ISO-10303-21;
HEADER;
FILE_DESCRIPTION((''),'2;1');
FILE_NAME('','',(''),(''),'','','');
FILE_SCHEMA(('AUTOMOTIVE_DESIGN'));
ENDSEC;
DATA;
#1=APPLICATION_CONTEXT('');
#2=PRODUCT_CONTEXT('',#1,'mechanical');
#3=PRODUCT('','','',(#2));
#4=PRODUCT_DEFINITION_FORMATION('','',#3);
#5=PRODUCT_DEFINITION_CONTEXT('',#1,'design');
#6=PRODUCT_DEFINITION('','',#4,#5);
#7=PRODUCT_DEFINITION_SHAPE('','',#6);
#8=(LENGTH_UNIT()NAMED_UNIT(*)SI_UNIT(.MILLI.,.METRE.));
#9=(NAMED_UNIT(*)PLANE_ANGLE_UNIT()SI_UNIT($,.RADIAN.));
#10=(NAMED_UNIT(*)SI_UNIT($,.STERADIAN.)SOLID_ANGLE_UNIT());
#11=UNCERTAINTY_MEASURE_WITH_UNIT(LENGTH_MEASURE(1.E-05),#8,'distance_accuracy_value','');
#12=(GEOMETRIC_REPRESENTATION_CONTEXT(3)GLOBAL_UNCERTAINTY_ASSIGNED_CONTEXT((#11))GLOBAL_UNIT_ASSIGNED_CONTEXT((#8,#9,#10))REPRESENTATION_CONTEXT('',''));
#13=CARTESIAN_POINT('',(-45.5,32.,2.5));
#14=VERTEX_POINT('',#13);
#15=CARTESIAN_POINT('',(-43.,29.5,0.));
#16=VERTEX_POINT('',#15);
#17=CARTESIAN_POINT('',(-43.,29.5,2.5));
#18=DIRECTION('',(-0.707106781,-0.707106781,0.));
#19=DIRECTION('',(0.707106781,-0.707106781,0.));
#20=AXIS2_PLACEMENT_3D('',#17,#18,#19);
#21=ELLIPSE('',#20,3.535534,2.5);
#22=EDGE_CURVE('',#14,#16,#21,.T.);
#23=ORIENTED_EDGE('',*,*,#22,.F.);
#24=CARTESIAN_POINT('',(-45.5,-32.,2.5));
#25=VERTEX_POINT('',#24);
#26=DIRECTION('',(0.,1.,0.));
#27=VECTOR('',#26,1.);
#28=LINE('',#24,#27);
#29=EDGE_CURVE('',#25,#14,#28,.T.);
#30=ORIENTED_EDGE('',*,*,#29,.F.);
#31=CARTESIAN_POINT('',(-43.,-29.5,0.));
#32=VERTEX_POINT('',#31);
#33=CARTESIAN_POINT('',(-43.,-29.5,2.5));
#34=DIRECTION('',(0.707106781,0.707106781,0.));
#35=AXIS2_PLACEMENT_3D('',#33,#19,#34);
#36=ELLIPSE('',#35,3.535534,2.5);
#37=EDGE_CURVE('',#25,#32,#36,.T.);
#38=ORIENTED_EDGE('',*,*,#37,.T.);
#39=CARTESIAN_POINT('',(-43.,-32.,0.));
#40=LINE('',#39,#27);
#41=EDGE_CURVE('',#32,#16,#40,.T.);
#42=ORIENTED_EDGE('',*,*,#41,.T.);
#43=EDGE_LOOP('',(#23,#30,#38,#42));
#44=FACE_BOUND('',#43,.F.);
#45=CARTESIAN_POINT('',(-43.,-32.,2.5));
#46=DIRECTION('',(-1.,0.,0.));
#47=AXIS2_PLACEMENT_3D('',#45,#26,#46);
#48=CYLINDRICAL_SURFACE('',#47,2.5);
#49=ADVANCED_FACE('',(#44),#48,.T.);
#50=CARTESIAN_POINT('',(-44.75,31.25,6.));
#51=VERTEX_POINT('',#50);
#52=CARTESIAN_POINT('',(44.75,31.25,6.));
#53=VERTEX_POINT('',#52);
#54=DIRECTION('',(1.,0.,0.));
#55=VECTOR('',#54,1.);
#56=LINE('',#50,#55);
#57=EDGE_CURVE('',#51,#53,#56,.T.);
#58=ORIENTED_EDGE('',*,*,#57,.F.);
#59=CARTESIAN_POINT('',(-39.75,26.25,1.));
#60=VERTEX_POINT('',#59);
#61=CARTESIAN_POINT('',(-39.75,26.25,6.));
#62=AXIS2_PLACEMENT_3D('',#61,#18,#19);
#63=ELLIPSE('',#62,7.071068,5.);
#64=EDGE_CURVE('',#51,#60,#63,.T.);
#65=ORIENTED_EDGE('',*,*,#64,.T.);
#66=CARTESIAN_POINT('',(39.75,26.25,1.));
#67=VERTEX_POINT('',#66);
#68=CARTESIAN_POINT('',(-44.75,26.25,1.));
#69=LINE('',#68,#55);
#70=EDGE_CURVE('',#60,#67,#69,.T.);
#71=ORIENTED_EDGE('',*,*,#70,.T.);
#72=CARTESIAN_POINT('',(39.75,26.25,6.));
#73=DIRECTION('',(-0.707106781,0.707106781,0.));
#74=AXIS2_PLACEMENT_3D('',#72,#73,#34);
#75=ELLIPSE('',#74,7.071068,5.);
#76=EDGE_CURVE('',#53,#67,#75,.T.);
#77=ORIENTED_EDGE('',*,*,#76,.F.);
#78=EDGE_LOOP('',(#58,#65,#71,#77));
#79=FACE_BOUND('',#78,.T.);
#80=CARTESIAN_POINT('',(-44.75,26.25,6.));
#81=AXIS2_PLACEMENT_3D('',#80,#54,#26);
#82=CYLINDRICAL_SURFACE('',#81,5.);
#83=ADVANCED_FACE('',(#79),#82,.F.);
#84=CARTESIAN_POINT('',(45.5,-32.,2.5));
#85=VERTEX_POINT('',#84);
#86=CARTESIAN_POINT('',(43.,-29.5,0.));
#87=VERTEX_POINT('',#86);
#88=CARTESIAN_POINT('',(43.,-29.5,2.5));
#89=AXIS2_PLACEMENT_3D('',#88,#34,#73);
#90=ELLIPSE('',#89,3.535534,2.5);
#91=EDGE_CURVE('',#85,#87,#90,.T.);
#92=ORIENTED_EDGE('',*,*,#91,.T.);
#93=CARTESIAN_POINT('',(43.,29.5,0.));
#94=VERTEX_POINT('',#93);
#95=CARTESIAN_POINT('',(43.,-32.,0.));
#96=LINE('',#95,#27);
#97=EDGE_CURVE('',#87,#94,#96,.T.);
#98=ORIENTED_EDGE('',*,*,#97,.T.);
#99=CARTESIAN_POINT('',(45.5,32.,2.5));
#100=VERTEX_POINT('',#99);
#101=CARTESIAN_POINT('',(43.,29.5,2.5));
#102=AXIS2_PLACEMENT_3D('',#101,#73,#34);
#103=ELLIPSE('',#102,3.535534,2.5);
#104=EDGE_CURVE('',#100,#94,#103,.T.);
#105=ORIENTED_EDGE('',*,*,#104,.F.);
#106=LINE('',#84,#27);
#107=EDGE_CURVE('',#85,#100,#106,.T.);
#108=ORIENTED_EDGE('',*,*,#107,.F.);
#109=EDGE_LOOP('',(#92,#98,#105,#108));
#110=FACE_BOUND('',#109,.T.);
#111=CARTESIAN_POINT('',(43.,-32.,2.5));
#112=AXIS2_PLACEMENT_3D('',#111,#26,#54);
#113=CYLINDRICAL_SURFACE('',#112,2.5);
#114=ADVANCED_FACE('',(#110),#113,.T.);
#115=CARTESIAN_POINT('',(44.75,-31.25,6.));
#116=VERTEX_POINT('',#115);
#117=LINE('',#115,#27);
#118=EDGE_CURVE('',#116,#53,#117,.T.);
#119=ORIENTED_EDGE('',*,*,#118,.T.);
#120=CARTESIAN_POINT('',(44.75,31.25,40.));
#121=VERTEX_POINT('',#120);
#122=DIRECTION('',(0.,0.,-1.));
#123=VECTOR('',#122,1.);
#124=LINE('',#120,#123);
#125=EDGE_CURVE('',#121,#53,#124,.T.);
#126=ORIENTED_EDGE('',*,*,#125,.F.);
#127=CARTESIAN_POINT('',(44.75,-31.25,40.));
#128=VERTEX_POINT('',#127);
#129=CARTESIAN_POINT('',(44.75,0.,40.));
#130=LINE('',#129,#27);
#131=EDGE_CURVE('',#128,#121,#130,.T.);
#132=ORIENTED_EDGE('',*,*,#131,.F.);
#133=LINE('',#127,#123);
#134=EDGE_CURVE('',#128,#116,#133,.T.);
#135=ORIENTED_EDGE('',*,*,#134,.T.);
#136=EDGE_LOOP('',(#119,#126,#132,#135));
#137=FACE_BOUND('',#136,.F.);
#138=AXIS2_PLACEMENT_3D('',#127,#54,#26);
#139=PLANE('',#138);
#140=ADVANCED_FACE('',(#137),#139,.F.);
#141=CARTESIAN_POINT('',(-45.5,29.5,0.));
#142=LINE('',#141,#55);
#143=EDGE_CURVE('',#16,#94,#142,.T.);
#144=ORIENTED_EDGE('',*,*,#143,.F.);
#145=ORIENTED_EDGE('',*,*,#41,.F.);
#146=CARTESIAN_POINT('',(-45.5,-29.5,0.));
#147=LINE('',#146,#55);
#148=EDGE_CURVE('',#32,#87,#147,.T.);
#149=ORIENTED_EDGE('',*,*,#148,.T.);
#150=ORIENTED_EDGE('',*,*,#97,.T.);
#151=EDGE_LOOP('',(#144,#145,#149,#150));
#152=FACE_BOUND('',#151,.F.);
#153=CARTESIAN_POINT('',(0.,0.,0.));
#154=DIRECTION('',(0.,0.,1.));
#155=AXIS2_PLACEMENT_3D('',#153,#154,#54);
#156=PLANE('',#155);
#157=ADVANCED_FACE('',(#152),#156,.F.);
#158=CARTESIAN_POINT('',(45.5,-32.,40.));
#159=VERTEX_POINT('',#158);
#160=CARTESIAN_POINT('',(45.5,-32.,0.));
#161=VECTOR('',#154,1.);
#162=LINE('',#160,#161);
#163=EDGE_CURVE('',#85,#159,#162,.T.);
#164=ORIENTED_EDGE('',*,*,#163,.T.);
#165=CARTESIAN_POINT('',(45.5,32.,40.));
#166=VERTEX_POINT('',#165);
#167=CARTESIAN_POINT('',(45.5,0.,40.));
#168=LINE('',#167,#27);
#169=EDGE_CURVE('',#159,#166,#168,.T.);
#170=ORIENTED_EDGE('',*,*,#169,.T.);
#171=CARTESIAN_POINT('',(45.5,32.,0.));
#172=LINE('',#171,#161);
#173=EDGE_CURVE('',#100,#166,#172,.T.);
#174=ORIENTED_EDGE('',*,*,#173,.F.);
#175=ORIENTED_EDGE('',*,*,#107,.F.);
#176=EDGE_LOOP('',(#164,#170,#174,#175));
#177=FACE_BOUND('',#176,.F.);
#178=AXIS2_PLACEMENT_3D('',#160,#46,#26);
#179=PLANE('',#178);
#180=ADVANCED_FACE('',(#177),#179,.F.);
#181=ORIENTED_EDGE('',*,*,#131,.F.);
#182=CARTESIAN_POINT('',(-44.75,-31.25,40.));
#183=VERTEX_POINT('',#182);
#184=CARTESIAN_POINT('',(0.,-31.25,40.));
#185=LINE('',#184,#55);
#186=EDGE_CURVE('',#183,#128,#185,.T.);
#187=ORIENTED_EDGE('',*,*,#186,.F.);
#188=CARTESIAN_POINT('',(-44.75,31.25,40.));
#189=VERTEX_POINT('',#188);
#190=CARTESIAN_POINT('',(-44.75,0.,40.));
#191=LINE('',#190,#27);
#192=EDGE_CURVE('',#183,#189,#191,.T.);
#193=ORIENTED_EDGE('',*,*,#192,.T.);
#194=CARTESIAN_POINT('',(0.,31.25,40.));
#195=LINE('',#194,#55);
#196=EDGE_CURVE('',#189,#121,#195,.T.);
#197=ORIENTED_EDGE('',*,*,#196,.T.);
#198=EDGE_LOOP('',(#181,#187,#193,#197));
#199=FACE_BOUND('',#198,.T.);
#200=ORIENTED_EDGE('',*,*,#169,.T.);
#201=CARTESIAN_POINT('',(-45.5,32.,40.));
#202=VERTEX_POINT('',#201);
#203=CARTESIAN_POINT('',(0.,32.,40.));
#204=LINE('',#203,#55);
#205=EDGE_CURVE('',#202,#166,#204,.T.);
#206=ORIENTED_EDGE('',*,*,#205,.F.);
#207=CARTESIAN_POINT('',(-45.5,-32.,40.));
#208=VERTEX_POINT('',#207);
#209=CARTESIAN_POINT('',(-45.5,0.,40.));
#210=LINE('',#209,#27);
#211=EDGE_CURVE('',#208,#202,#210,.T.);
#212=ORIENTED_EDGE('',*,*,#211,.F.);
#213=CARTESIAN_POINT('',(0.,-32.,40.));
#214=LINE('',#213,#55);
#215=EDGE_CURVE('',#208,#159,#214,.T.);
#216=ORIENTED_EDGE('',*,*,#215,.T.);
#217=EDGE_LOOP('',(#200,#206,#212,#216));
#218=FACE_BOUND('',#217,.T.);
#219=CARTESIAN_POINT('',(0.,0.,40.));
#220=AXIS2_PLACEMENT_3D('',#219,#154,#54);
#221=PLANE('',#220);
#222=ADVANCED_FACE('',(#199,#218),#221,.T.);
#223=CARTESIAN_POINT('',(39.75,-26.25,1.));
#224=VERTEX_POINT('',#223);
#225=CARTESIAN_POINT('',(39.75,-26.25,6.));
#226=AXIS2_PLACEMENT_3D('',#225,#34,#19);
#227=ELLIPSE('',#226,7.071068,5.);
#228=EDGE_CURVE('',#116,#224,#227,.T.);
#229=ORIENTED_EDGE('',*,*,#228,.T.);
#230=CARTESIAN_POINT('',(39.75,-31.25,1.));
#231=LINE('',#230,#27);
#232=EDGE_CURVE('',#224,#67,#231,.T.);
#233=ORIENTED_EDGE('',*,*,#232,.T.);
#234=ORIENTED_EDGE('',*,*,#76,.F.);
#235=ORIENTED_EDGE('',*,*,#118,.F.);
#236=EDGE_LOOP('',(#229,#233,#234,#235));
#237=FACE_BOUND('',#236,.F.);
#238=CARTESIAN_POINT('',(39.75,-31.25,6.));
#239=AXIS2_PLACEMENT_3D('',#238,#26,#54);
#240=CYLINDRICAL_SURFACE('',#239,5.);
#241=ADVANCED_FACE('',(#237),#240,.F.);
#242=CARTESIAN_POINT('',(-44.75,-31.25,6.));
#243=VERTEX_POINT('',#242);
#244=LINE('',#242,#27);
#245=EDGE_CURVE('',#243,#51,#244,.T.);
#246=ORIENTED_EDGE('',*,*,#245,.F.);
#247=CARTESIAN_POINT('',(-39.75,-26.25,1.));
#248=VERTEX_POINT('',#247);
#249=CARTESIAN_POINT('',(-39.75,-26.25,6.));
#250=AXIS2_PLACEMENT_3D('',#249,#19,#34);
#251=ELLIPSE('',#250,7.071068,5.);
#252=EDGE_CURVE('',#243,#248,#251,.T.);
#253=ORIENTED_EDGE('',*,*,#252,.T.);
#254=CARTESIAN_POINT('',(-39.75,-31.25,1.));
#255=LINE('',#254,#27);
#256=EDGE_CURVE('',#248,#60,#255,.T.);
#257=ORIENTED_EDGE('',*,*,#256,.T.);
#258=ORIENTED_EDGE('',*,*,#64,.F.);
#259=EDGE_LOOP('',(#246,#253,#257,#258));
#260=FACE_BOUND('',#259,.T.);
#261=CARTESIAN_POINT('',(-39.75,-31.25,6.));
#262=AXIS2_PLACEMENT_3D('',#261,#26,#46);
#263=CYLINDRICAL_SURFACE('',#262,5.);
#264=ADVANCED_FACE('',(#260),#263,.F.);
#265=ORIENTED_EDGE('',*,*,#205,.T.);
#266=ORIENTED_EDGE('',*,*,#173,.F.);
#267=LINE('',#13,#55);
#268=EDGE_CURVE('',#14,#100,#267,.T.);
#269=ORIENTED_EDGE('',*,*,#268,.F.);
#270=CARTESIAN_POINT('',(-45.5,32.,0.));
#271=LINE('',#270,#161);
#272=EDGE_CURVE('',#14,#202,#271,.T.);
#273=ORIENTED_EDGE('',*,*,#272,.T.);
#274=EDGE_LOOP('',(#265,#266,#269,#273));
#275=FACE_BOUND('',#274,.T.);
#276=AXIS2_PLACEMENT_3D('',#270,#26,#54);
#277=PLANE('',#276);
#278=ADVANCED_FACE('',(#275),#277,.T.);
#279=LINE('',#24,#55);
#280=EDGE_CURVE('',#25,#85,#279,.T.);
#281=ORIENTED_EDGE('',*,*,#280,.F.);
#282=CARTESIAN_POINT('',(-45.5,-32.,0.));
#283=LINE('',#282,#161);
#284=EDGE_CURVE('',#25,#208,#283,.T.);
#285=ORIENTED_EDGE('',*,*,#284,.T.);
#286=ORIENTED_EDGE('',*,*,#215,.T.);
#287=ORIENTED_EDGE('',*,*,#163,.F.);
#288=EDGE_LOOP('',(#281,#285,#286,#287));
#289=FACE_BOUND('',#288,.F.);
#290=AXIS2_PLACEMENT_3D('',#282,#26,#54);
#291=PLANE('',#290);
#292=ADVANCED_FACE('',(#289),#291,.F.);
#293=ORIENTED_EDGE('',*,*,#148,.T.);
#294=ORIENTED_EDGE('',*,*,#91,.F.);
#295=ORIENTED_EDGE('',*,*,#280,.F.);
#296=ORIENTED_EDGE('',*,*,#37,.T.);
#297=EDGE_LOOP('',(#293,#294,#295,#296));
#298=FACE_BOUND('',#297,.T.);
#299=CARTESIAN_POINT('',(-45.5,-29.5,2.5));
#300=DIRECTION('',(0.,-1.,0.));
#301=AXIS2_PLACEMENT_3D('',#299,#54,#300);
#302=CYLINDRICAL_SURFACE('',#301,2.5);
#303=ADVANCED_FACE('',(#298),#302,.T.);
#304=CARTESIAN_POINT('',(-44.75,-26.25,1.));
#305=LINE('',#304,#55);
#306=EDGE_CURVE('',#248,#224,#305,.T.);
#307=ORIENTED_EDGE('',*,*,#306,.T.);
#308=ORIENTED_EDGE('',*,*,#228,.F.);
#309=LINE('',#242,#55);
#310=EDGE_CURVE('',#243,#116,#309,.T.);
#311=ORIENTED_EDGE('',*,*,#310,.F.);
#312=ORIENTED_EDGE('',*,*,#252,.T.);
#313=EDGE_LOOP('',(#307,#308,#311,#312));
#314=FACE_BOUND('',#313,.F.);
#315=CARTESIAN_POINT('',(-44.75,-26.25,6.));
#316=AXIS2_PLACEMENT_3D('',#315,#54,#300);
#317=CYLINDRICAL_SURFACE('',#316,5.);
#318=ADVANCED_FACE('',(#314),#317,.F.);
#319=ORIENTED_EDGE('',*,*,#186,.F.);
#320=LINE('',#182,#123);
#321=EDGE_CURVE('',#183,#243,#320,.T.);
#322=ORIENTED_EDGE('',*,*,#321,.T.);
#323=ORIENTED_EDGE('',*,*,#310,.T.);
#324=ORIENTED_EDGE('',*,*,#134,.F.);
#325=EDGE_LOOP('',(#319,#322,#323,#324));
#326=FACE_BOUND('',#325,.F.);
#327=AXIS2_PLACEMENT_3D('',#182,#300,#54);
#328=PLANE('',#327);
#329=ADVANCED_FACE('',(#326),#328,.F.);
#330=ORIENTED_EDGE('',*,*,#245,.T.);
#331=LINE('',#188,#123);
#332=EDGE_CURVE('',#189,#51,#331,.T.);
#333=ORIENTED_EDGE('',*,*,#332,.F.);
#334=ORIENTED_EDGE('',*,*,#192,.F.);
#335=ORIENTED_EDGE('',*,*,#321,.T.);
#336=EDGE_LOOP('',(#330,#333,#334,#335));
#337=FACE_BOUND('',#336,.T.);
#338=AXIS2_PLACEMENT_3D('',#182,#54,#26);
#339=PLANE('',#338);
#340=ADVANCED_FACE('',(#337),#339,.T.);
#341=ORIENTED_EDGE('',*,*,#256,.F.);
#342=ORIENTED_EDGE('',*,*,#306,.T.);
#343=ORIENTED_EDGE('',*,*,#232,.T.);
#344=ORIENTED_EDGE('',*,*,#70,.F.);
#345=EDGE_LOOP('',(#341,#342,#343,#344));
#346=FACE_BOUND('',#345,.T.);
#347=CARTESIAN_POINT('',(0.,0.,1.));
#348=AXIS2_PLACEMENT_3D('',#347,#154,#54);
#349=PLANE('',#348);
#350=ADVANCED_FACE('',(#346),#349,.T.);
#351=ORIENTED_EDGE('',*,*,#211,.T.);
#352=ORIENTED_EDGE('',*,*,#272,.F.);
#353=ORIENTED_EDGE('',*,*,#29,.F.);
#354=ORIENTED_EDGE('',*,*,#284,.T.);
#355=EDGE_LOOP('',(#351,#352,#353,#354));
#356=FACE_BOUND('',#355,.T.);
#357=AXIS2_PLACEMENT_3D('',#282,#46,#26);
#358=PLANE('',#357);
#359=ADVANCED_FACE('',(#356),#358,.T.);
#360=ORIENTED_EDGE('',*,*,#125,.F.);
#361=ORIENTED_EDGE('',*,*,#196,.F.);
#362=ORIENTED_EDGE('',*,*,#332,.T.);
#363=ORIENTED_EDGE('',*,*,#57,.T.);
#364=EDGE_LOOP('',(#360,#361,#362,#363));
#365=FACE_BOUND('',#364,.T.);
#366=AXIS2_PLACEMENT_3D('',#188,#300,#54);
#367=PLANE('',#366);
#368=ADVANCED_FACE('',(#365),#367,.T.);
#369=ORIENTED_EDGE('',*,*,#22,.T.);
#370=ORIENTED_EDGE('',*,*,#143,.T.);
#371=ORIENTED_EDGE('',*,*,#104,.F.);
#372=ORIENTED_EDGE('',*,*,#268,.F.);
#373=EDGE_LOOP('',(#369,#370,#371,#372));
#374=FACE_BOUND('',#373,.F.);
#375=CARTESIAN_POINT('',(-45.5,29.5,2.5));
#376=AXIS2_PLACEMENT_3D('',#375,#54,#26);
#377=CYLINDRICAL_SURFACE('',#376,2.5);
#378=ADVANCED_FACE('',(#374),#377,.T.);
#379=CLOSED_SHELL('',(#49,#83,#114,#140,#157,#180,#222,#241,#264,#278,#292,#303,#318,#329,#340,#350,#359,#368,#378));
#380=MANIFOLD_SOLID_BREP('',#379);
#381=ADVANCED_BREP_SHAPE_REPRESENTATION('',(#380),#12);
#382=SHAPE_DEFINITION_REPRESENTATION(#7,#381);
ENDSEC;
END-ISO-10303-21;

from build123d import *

# Parameters (mm, degrees)
F0_W     = 91
F0_H     = 64
F1_DEPTH = 40
F2_W     = 89.5
F2_H     = 62.5
F3_DEPTH = 39
F4_R     = 5
F5_R     = 2.5


with BuildPart() as f1:
    # F0 (on Top) → F1 (new body)
    with BuildSketch(Plane.XY):
        Rectangle(F0_W, F0_H)
    extrude(amount=F1_DEPTH)

    # F2 (on face) → F3 (cut)
    with BuildSketch(Plane.XY.offset(40)):
        Rectangle(F2_W, F2_H)
    extrude(amount=-F3_DEPTH, mode=Mode.SUBTRACT)

    # F4
    f4_edges = [f1.edges().sort_by_distance(p)[0] for p in [
        (0, 31.25, 1),
        (-44.75, 0, 1),
        (0, -31.25, 1),
        (44.75, 0, 1),
    ]]
    fillet(f4_edges, radius=F4_R)

    # F5
    f5_edges = [f1.edges().sort_by_distance(p)[0] for p in [
        (45.5, 0, 0),
        (0, 32, 0),
        (-45.5, 0, 0),
        (0, -32, 0),
    ]]
    fillet(f5_edges, radius=F5_R)


solid = f1.part
